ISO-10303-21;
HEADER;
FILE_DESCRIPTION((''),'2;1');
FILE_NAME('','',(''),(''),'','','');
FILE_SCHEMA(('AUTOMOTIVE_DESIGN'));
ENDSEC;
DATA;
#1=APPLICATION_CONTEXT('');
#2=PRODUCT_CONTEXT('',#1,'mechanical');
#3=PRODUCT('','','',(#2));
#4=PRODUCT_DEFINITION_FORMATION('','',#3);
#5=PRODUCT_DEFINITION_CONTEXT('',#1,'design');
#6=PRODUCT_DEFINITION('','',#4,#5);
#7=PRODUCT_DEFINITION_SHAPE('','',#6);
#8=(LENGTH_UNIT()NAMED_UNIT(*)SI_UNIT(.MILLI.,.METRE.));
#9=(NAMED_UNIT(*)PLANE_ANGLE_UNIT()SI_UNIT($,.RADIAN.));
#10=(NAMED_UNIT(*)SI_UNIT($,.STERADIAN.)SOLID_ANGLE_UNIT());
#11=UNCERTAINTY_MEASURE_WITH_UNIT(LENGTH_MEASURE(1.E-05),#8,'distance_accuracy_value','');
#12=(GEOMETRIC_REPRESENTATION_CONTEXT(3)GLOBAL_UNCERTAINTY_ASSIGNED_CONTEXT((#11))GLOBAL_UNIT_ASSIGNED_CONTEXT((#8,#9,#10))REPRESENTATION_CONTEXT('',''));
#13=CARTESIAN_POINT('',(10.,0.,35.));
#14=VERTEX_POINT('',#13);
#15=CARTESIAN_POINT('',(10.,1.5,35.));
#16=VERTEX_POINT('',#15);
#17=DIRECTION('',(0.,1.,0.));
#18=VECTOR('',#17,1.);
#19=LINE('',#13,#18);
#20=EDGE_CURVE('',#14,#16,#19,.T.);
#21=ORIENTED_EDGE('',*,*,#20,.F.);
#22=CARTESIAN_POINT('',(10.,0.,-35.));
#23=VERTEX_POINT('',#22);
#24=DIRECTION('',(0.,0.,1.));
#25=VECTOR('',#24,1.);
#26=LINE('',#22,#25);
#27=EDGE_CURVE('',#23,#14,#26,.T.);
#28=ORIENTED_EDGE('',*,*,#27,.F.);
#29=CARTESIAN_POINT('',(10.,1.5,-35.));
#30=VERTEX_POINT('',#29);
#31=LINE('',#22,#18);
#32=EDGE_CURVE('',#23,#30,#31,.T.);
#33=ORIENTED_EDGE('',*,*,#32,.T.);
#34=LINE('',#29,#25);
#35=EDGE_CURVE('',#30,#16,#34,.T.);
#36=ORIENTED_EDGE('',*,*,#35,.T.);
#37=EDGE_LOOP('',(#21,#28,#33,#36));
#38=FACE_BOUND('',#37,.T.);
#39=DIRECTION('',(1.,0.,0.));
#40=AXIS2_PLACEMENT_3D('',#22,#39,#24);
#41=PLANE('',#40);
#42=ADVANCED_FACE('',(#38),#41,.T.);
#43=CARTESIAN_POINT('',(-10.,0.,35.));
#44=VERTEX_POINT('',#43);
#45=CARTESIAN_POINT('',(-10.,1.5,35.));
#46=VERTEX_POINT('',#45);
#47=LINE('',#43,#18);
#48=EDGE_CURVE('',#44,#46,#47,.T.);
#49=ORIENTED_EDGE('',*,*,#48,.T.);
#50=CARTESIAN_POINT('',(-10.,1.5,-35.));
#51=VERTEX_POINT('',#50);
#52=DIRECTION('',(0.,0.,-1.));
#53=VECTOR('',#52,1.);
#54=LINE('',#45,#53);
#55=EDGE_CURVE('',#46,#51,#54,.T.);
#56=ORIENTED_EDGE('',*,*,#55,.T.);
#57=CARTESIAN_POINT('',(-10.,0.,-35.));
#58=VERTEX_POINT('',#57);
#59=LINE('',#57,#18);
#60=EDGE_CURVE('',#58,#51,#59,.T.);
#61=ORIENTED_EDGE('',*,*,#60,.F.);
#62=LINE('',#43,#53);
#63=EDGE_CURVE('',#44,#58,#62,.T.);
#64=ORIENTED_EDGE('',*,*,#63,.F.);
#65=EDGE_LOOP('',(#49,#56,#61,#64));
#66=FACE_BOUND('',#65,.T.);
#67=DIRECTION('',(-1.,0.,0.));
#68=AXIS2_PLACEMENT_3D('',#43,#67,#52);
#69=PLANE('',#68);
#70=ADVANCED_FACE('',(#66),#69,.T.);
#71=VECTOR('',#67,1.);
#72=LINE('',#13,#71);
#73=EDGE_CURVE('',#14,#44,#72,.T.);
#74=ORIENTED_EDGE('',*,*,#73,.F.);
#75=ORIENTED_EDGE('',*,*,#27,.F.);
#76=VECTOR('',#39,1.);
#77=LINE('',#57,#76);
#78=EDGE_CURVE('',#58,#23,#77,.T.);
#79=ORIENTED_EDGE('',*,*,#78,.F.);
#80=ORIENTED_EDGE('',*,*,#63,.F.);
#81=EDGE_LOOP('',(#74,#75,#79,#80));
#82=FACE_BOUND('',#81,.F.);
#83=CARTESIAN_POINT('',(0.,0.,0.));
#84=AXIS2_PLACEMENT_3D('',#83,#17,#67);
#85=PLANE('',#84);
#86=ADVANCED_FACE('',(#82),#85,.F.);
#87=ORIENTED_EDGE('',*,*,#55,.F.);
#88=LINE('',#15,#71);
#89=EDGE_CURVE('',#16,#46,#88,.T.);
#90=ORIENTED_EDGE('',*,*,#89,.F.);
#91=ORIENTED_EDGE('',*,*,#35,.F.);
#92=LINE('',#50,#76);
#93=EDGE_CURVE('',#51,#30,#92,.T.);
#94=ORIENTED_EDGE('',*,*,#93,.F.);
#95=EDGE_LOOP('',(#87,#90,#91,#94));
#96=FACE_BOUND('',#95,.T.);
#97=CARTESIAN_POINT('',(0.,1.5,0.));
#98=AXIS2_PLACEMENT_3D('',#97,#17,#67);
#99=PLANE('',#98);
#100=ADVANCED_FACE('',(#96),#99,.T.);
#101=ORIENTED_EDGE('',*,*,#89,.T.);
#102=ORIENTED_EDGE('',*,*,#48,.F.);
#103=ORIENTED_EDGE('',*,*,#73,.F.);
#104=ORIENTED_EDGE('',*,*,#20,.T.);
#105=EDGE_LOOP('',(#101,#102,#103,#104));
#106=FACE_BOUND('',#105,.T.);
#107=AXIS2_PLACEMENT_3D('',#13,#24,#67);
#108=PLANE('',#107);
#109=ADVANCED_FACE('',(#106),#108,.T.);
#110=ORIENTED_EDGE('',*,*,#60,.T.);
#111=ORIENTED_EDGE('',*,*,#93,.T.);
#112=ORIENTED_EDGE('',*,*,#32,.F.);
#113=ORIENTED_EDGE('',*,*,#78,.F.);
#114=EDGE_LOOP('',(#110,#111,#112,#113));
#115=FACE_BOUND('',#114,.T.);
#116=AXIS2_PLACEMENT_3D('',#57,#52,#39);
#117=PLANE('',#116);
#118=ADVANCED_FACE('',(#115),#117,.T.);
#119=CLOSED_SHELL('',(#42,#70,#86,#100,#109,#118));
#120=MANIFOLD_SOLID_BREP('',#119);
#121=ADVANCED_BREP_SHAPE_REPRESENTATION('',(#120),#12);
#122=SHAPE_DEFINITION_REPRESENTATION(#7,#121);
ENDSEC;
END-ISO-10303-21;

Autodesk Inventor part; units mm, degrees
ref_plane "YZ Plane" through (0, 0, 0) normal (1, 0, 0) x (0, 1, 0)
ref_plane "XZ Plane" through (0, 0, 0) normal (0, 1, 0) x (-1, 0, 0)
ref_plane "XY Plane" through (0, 0, 0) normal (0, 0, 1) x (1, 0, 0)
sketch "Sketch1" plane through (0, 0, 0) normal (0, 1, 0) x (-1, 0, 0)
  line L0 (10, -35) -> (-10, -35)
  line L1 (-10, -35) -> (-10, 35)
  line L2 (-10, 35) -> (10, 35)
  line L3 (10, 35) -> (10, -35)
  point P0 (0, 0)
  dimension "d0" = 20
  dimension "d1" = 70
  dimension "d2" = 35
  dimension "d3" = 10
extrude "Plate1" add sketch "Sketch1" along normal blind 1.5
equation "\"d4\" = Thickness"
equation "\"BendReliefWidth\" = Thickness"
equation "\"BendReliefDepth\" = 0.5 * Thickness"
equation "\"CornerReliefSize\" = 4 * Thickness"
equation "\"MinimumRemnant\" = 2 * Thickness"
equation "\"TransitionRadius\" = BendRadius"
equation "\"JacobiRadiusSize\" = BendRadius"
equation "\"GapSize\" = Thickness"
equation "\"Thickness\" = 1.5"
equation "\"BendRadius\" = 0.31"
properties part number "axis_8_10_connector_frame" material "Aluminum 6061-AHC"
